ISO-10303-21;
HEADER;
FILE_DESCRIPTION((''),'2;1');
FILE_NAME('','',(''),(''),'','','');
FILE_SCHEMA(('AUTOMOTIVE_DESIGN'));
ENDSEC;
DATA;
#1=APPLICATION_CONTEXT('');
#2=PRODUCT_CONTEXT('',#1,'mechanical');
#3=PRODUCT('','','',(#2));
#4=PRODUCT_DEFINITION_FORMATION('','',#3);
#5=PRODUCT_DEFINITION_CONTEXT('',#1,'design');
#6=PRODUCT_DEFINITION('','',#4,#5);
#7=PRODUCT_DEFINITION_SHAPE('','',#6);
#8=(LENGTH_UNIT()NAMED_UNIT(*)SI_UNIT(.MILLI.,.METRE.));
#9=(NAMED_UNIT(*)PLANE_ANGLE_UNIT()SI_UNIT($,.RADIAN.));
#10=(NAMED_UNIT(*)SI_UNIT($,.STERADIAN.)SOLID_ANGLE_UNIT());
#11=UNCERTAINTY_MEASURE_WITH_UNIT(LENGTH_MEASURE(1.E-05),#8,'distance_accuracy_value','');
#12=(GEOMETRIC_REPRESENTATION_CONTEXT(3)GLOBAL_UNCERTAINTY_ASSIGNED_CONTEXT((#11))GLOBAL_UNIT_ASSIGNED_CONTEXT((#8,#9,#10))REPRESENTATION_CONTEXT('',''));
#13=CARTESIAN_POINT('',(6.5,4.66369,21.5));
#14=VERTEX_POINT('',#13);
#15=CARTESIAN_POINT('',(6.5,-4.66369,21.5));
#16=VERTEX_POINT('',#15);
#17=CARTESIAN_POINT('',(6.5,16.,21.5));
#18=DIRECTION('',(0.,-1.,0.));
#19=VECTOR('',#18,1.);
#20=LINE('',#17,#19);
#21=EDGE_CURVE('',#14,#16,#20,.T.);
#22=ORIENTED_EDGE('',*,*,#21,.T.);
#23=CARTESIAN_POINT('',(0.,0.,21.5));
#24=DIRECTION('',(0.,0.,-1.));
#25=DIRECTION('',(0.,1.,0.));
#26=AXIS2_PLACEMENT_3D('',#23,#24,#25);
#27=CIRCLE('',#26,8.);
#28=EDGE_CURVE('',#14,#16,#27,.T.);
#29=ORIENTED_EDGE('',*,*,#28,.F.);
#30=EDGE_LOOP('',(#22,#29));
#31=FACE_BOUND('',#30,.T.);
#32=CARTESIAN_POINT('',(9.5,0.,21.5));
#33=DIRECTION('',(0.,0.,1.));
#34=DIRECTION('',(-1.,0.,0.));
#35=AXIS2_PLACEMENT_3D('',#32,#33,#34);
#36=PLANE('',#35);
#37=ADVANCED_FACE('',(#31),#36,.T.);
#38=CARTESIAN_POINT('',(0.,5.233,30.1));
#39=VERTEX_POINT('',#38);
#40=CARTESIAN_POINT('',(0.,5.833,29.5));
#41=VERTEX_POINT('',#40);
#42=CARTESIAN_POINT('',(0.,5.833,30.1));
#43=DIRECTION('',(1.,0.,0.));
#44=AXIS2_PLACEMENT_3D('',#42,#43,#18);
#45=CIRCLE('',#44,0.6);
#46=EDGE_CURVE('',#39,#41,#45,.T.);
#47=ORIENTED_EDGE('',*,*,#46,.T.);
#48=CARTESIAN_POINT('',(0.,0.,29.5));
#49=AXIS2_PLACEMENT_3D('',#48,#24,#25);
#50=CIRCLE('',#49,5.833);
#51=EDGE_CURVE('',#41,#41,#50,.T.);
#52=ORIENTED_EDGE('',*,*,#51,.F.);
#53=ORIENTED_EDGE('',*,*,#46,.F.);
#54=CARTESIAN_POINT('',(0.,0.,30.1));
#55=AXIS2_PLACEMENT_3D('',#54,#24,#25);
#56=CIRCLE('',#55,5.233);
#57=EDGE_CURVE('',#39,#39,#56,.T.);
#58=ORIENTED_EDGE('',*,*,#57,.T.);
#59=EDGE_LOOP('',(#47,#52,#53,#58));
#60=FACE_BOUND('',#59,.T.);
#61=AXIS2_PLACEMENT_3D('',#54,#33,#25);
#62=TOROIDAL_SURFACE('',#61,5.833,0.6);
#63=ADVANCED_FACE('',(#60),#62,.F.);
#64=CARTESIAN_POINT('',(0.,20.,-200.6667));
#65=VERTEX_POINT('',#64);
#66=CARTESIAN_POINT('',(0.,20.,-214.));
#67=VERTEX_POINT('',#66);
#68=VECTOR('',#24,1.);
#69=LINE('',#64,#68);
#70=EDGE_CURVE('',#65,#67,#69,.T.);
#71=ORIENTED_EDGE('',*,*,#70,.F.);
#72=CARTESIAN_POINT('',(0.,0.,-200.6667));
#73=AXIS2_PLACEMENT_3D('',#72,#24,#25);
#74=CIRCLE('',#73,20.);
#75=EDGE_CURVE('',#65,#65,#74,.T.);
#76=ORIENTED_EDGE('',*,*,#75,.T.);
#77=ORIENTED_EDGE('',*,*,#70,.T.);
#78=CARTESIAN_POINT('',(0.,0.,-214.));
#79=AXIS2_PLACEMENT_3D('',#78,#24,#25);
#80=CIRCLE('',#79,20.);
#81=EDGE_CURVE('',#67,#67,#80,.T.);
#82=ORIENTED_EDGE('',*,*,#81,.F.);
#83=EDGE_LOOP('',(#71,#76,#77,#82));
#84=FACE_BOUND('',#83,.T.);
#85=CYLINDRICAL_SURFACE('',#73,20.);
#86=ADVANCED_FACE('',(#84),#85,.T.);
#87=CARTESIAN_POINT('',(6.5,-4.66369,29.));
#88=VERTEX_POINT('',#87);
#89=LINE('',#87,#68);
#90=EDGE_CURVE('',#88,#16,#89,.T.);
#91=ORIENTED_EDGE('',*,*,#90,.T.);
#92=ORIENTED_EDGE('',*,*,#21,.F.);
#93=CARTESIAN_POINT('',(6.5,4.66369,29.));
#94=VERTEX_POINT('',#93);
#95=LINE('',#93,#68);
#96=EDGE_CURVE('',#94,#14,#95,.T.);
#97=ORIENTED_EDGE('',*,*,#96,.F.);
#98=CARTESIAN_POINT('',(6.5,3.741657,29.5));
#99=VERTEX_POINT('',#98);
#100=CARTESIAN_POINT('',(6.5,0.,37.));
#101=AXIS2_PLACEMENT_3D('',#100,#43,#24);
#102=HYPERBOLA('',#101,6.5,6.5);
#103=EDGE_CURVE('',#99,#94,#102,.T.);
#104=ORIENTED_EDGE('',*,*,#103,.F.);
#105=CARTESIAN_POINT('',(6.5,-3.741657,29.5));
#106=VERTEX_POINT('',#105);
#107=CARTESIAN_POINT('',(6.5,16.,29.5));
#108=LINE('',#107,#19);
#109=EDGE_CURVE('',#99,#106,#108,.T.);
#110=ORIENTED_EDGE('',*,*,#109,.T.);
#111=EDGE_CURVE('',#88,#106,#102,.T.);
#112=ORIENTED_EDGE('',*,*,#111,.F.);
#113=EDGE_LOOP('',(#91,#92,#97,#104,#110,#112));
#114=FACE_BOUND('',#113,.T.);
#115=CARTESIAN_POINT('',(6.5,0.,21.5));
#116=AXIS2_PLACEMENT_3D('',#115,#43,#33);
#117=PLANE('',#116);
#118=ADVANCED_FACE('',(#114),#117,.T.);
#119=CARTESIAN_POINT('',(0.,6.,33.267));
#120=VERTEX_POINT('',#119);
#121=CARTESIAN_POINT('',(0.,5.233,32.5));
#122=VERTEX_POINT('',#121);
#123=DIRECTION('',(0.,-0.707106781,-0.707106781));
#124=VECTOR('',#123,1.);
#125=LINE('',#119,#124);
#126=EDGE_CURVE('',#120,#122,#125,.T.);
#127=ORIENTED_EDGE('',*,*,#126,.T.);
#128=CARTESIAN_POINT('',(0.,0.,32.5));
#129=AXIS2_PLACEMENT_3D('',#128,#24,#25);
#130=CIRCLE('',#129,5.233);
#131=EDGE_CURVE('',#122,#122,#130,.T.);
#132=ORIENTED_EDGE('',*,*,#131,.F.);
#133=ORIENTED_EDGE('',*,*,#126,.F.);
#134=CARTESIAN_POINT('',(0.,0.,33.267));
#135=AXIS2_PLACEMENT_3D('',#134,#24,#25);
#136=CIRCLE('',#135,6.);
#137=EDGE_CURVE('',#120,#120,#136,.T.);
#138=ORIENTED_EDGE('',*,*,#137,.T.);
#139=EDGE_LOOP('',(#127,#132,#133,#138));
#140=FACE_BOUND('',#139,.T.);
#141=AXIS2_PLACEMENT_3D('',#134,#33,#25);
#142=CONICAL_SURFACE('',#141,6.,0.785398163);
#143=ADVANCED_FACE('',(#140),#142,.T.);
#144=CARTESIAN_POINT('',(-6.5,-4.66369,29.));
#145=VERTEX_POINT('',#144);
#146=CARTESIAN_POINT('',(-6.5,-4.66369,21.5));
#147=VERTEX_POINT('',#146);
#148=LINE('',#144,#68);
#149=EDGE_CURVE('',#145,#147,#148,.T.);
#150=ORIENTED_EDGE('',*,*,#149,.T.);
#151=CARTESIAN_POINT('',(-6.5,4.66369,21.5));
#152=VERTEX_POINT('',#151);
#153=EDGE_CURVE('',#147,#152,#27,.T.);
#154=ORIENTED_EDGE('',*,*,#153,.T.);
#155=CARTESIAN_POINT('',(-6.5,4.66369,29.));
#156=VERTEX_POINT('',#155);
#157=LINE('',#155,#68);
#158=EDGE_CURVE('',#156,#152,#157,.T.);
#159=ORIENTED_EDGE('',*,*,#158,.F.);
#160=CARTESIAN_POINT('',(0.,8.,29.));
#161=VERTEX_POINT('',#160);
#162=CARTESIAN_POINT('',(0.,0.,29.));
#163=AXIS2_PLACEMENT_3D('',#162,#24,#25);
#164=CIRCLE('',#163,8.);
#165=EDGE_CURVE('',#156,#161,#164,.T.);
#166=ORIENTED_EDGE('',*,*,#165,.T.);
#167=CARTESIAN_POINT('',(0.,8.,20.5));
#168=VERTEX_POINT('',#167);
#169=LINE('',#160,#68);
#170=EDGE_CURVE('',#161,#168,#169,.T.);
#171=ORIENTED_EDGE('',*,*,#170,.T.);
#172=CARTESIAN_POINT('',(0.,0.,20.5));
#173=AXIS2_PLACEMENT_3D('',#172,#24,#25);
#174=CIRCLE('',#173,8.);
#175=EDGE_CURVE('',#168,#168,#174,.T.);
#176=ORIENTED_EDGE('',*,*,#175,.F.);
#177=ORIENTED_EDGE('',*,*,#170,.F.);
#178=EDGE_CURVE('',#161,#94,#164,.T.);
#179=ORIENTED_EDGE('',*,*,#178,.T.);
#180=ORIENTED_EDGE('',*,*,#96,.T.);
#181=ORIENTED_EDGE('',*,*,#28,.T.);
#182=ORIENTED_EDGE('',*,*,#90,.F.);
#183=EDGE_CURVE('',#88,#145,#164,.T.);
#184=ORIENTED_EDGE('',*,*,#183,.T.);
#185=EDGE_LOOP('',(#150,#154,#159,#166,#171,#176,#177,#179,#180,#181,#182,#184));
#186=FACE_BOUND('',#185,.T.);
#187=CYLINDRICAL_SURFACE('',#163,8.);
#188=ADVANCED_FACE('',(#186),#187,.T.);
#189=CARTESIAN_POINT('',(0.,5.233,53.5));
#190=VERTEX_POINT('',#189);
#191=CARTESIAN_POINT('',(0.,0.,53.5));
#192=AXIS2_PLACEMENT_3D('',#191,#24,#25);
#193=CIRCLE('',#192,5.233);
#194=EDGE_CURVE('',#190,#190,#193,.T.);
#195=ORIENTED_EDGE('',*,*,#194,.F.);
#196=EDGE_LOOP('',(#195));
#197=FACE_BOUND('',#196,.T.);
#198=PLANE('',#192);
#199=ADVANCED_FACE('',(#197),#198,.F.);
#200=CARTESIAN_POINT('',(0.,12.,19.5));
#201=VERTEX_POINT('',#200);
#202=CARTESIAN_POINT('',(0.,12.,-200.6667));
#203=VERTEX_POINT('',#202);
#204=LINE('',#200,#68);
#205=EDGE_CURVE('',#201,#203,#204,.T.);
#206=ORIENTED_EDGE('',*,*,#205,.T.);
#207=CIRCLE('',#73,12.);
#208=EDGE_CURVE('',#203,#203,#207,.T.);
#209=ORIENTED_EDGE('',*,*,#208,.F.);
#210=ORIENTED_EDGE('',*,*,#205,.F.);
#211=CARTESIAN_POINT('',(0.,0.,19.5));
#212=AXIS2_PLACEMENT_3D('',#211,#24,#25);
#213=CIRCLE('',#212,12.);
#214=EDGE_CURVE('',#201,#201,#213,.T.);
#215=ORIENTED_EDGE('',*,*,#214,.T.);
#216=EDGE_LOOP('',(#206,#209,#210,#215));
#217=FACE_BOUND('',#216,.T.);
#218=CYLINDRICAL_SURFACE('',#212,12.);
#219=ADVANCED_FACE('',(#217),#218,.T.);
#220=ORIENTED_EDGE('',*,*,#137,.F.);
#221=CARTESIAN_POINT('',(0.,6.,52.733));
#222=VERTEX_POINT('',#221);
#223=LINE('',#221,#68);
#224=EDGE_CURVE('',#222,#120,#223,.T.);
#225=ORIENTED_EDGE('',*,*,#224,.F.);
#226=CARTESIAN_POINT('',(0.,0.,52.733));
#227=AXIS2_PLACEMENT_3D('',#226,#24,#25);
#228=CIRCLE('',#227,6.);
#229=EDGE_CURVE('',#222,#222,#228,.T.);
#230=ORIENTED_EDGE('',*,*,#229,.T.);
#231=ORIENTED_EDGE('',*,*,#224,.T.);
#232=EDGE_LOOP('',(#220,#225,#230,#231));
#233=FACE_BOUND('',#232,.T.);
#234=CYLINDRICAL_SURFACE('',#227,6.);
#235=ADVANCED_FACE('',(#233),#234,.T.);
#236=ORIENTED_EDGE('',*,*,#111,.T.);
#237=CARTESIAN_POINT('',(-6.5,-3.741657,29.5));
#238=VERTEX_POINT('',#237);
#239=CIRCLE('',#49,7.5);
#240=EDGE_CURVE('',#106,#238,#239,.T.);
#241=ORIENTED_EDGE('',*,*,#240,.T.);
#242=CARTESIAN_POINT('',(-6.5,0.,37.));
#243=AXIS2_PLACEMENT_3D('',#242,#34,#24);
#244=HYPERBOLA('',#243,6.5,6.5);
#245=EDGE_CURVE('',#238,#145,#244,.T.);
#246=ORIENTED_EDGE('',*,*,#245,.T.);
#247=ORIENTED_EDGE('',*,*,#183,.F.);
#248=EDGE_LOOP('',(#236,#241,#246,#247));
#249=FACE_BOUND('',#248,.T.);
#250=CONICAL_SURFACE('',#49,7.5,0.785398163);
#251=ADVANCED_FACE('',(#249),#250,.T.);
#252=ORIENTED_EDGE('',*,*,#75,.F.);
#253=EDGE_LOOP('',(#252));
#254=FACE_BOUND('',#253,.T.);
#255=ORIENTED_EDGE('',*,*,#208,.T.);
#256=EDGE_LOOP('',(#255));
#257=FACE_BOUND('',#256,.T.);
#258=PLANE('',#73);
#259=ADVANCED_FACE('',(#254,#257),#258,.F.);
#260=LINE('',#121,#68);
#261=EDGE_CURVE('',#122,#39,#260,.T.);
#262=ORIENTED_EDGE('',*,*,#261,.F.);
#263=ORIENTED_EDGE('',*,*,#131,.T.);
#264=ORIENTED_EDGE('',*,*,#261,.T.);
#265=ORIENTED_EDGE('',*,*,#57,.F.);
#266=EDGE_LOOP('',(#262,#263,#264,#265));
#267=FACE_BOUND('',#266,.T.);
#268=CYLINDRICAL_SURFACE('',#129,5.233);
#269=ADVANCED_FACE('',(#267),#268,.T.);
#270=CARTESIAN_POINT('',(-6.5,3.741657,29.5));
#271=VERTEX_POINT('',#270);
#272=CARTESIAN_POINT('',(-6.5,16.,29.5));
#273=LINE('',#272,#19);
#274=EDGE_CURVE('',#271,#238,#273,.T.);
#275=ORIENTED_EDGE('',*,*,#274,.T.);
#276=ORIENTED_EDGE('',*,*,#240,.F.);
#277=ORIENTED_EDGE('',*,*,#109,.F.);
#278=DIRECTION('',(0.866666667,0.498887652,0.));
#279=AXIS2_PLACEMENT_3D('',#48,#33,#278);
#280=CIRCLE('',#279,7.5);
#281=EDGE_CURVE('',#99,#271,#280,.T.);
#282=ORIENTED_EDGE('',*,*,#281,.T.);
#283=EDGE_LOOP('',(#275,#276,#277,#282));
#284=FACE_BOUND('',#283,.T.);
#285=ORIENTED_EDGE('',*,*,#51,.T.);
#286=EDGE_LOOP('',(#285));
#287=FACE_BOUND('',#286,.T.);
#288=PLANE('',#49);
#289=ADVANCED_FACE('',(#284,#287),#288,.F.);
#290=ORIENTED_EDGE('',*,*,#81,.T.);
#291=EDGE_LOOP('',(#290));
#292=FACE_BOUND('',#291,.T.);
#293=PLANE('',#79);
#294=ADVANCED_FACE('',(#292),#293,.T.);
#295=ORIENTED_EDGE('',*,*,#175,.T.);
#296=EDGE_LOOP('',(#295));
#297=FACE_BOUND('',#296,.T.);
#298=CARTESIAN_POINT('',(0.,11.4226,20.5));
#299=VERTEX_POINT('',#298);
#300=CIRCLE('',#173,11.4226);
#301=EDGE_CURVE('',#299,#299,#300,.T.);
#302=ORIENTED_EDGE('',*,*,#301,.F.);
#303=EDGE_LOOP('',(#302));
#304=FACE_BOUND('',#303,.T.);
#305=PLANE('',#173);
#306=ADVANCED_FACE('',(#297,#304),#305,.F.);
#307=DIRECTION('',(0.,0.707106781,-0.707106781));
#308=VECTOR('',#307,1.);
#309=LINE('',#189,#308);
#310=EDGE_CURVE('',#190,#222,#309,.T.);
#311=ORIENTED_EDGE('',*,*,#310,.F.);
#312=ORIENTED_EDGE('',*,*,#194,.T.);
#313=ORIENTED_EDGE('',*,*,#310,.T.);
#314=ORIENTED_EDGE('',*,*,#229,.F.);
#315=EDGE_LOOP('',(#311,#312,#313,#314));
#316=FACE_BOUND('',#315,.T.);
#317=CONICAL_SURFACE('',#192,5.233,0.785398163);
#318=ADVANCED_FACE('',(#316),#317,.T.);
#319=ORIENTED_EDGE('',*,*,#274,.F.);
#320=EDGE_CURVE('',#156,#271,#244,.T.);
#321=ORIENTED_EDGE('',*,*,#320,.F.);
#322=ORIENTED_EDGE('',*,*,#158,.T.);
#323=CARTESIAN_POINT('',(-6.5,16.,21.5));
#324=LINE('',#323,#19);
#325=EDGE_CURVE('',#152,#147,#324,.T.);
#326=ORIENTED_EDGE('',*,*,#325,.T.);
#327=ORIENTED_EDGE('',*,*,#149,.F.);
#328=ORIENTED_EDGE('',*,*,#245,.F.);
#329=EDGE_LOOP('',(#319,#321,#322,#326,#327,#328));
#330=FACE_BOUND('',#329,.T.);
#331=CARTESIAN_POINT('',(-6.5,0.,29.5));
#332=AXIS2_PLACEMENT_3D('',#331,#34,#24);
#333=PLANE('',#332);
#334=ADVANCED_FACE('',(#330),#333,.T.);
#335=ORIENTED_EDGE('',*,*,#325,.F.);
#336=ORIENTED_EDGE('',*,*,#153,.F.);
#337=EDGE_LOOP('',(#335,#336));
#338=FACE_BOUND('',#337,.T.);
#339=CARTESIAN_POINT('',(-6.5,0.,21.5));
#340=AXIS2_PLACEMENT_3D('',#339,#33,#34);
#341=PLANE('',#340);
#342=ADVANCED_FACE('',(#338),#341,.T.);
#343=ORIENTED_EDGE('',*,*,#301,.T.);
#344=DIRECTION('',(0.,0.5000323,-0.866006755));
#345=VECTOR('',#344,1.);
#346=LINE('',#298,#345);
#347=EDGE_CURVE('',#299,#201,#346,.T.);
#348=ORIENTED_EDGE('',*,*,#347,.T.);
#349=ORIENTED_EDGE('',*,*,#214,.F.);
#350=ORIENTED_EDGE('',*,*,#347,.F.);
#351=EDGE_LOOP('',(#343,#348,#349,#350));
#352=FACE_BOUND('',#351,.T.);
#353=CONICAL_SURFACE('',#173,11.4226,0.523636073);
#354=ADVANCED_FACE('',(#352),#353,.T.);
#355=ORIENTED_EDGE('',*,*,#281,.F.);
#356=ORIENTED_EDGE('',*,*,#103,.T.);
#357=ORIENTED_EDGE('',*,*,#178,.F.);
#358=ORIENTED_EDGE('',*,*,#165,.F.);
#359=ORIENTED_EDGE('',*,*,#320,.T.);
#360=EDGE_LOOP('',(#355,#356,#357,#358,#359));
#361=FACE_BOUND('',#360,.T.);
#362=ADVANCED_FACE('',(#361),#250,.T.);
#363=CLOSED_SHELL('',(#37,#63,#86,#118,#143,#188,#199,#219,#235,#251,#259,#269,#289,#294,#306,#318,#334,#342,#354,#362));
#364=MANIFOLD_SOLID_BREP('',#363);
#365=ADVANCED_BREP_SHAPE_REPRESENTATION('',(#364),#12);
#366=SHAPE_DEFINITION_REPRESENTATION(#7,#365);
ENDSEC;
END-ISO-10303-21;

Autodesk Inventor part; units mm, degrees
sketch "Sketch_1" plane through (0, 0, 0) normal (1, 0, 0) x (0, 1, 0)
  line L0 (0, -214) -> (0, 29.5)
  line L1 (0, 29.5) -> (7.5, 29.5)
  line L2 (7.5, 29.5) -> (8, 29)
  line L3 (8, 29) -> (8, 20.5)
  line L4 (8, 20.5) -> (11.4226, 20.5)
  line L5 (11.4226, 20.5) -> (12, 19.5)
  line L6 (12, 19.5) -> (12, -200.6667)
  line L7 (12, -200.6667) -> (20, -200.6667)
  line L8 (20, -200.6667) -> (20, -214)
  line L9 (20, -214) -> (0, -214)
  line L10 (0, -214) -> (0, 29.5)
revolve "Revolution1" add sketch "Sketch_1" angle 360 about axis through (0, 0, -214) along (0, 0, -1)
sketch "Sketch_3" plane through (0, 0, 0) normal (0, 1, 0) x (-1, 0, 0)
  line L0 (9.5, 21.5) -> (9.5, 32.5)
  line L1 (9.5, 32.5) -> (-9.5, 32.5)
  line L2 (-9.5, 32.5) -> (-9.5, 21.5)
  line L3 (-9.5, 21.5) -> (-6.5, 21.5)
  line L4 (-6.5, 21.5) -> (-6.5, 29.5)
  line L5 (-6.5, 29.5) -> (6.5, 29.5)
  line L6 (6.5, 29.5) -> (6.5, 21.5)
  line L7 (6.5, 21.5) -> (9.5, 21.5)
extrude "Extrusion1" cut sketch "Sketch_3" along normal mid plane 32
sketch "Sketch_2" plane through (0, 0, 0) normal (1, 0, 0) x (0, 1, 0)
  line L0 (0, 29.5) -> (0, 53.5)
  line L1 (0, 53.5) -> (5.233, 53.5)
  line L2 (5.233, 53.5) -> (6, 52.733)
  line L3 (6, 52.733) -> (6, 33.267)
  line L4 (6, 33.267) -> (5.233, 32.5)
  line L5 (5.233, 32.5) -> (5.233, 30.1)
  arc A0 (5.233, 30.1) -> (5.833, 29.5) centre (5.833, 30.1) ccw
  line L6 (5.833, 29.5) -> (0, 29.5)
  line L7 (0, 29.5) -> (0, 53.5)
revolve "Revolution2" add sketch "Sketch_2" angle 360 about axis through (0, 0, 29.5) along (0, 0, -1)
thread "Thread1" size "M12x1.25" class "6g" standard "ISO Metric profile" full length
ref_plane "ANBAU_XY" through (0, 0, -214) normal (0, 0, -1) x (1, 0, 0)
ref_plane "ANBAU_YZ" through (0, 0, -214) normal (1, 0, 0) x (0, -1, 0)
ref_plane "ANBAU_ZX" through (0, 0, -214) normal (0, -1, 0) x (0, 0, -1)
ref_plane "NUT_XY" through (0, 0, 37.5) normal (0, 0, -1) x (1, 0, 0)
ref_plane "NUT_YZ" through (0, 0, 37.5) normal (1, 0, 0) x (0, -1, 0)
ref_plane "NUT_ZX" through (0, 0, 37.5) normal (0, -1, 0) x (0, 0, -1)
properties part number "ESBF-BS-40-100-5P---(KS_0)"
